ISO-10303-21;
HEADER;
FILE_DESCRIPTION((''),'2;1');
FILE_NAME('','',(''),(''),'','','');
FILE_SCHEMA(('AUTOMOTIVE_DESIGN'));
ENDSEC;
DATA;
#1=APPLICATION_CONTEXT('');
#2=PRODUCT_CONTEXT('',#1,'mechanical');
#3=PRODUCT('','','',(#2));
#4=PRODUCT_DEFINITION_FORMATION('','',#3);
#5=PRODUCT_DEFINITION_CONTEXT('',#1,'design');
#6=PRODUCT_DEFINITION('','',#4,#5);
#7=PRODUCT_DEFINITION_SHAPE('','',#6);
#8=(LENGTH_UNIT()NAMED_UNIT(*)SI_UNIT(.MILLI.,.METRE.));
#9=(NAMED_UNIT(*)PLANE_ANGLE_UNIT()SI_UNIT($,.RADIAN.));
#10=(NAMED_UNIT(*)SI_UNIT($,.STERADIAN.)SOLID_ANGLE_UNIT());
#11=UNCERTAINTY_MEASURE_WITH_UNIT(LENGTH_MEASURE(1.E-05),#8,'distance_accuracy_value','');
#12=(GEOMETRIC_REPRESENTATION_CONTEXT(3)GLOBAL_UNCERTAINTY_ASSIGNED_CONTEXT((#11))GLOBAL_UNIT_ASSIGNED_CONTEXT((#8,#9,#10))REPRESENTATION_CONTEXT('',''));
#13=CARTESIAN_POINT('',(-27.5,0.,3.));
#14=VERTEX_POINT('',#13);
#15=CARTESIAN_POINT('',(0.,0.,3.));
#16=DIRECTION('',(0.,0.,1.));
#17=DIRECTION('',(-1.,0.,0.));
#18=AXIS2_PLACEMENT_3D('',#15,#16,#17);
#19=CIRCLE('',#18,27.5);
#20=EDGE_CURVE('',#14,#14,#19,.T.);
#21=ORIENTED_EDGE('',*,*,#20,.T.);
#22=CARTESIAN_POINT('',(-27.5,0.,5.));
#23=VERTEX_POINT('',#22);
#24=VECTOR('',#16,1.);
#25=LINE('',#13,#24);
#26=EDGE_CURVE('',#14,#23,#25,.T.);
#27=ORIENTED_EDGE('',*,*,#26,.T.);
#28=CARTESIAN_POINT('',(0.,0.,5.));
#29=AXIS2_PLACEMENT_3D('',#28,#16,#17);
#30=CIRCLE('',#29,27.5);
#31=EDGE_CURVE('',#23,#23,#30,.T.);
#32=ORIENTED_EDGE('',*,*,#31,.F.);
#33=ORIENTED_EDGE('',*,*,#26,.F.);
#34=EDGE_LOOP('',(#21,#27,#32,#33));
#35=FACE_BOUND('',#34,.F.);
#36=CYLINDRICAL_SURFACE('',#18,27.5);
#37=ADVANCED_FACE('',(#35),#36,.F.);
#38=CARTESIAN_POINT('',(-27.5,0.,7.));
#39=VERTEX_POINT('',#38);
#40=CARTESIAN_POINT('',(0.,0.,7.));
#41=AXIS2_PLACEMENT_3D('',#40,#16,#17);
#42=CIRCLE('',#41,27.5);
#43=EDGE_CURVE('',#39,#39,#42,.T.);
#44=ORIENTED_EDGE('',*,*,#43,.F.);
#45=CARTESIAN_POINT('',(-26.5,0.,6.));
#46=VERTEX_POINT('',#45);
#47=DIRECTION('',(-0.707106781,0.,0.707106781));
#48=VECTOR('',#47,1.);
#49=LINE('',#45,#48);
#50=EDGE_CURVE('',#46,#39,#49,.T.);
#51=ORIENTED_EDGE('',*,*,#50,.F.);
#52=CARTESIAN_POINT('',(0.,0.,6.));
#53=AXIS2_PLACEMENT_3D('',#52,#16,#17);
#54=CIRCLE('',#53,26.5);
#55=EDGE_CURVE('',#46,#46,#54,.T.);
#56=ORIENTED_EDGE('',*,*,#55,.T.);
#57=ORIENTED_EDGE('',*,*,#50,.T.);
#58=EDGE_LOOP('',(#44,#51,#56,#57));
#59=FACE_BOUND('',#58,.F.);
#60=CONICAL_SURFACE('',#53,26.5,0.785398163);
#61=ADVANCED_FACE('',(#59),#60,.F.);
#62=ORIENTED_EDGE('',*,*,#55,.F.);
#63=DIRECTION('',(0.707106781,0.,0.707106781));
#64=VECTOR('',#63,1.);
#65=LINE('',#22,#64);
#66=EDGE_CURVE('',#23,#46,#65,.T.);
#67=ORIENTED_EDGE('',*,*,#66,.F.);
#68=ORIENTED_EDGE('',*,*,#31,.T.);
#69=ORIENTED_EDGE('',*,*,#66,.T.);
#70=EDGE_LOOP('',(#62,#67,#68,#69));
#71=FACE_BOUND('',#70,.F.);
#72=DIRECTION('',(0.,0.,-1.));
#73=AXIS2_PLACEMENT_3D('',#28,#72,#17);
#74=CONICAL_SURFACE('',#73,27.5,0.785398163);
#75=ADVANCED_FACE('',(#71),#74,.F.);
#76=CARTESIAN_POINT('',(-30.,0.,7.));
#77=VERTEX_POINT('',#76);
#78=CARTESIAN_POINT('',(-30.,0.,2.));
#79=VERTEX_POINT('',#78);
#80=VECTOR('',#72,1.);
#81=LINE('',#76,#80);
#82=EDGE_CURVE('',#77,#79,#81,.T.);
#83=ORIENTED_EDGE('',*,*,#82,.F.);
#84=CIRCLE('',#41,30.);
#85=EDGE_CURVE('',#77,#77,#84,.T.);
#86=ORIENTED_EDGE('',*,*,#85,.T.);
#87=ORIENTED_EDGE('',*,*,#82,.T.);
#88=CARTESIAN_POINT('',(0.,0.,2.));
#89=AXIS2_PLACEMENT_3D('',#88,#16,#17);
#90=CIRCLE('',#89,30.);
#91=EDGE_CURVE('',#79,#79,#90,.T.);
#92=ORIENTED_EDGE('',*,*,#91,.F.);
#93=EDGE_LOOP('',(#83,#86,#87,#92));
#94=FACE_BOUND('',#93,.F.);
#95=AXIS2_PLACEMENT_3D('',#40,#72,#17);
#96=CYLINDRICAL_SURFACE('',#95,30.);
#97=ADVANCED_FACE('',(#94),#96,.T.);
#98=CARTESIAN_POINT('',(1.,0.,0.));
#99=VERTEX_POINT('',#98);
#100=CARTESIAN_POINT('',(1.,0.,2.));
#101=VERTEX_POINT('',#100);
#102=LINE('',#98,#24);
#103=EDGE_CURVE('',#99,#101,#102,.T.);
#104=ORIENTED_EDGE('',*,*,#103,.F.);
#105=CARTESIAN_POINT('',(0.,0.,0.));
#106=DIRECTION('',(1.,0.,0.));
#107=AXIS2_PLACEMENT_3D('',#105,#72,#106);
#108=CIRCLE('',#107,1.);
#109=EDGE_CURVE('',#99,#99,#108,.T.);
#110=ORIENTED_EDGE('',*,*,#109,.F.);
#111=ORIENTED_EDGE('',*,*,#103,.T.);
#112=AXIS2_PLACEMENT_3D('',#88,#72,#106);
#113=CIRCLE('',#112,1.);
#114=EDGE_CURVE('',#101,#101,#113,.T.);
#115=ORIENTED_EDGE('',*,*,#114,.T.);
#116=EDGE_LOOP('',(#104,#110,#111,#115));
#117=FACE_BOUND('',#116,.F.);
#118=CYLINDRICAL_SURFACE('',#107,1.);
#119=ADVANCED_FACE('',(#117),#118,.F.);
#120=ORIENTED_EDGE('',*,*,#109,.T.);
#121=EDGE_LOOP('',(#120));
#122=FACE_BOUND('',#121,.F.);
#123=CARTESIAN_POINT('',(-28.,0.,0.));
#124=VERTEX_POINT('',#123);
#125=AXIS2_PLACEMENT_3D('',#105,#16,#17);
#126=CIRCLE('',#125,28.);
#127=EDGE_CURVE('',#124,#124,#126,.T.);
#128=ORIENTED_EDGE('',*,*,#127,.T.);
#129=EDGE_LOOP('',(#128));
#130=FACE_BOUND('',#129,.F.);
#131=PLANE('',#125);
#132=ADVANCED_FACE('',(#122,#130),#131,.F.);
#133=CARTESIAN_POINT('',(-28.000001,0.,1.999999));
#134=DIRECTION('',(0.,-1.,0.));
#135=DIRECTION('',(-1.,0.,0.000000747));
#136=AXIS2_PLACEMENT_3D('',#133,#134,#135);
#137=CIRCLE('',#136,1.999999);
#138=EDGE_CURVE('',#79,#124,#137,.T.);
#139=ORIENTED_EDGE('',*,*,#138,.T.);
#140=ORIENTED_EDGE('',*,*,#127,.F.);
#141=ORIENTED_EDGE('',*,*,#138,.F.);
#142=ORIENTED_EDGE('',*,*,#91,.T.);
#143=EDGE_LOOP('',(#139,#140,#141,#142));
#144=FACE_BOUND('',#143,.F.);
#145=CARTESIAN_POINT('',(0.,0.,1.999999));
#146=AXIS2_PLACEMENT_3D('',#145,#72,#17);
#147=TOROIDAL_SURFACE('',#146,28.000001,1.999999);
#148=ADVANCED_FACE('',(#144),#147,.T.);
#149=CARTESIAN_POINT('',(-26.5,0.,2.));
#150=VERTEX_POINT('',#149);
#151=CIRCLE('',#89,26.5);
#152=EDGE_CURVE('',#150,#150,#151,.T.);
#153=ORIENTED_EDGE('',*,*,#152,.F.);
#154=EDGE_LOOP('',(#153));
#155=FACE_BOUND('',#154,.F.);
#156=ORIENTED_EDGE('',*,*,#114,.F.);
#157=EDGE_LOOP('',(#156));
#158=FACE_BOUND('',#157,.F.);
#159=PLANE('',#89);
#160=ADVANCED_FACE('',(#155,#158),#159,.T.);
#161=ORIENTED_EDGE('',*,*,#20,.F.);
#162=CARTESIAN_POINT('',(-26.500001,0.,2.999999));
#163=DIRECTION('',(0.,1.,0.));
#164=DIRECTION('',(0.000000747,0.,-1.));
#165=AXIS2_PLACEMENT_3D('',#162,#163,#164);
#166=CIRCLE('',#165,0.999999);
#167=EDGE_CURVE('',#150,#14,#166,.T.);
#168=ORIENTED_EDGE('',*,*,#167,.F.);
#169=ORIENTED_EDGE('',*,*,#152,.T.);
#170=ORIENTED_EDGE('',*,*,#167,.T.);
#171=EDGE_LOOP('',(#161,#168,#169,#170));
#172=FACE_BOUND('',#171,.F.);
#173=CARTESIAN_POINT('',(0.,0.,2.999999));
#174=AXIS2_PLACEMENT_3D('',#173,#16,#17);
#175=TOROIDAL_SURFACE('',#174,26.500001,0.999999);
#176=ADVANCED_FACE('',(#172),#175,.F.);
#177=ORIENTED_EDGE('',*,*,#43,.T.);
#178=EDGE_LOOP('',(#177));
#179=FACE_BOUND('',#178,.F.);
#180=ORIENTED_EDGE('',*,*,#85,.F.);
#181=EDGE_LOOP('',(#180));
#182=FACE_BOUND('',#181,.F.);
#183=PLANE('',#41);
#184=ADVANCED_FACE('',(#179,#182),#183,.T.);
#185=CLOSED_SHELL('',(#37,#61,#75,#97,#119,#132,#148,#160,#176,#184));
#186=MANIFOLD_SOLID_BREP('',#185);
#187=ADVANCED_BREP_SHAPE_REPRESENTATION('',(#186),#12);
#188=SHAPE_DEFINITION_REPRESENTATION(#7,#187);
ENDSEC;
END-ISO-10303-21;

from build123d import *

# Parameters (mm, degrees)
F2_R     = 1
F3_DEPTH = 25


with BuildPart() as f1:
    # F0 (on Front) → F1 (revolve)
    with BuildSketch(Plane.XZ):
        with BuildLine():
            Line((-28, 0), (0, 0))
            Line((0, 0), (0, 2))
            Line((0, 2), (-26.5, 2))
            ThreePointArc((-26.5, 2), (-27.207107, 2.292893), (-27.5, 3))
            Line((-27.5, 3), (-27.5, 5))
            Line((-27.5, 5), (-26.5, 6))
            Line((-26.5, 6), (-27.5, 7))
            Line((-27.5, 7), (-30, 7))
            Line((-30, 7), (-30, 2))
            ThreePointArc((-30, 2), (-29.414214, 0.585786), (-28, 0))
        make_face()
    revolve(axis=Axis((0, 0, 1), (0, 0, 1)))

    # F2 (on face) → F3 (cut)
    with BuildSketch(Plane(origin=(0, 0, 0), x_dir=(1, 0, 0), z_dir=(0, 0, -1))):
        Circle(F2_R)
    extrude(amount=-F3_DEPTH, mode=Mode.SUBTRACT)


solid = f1.part
